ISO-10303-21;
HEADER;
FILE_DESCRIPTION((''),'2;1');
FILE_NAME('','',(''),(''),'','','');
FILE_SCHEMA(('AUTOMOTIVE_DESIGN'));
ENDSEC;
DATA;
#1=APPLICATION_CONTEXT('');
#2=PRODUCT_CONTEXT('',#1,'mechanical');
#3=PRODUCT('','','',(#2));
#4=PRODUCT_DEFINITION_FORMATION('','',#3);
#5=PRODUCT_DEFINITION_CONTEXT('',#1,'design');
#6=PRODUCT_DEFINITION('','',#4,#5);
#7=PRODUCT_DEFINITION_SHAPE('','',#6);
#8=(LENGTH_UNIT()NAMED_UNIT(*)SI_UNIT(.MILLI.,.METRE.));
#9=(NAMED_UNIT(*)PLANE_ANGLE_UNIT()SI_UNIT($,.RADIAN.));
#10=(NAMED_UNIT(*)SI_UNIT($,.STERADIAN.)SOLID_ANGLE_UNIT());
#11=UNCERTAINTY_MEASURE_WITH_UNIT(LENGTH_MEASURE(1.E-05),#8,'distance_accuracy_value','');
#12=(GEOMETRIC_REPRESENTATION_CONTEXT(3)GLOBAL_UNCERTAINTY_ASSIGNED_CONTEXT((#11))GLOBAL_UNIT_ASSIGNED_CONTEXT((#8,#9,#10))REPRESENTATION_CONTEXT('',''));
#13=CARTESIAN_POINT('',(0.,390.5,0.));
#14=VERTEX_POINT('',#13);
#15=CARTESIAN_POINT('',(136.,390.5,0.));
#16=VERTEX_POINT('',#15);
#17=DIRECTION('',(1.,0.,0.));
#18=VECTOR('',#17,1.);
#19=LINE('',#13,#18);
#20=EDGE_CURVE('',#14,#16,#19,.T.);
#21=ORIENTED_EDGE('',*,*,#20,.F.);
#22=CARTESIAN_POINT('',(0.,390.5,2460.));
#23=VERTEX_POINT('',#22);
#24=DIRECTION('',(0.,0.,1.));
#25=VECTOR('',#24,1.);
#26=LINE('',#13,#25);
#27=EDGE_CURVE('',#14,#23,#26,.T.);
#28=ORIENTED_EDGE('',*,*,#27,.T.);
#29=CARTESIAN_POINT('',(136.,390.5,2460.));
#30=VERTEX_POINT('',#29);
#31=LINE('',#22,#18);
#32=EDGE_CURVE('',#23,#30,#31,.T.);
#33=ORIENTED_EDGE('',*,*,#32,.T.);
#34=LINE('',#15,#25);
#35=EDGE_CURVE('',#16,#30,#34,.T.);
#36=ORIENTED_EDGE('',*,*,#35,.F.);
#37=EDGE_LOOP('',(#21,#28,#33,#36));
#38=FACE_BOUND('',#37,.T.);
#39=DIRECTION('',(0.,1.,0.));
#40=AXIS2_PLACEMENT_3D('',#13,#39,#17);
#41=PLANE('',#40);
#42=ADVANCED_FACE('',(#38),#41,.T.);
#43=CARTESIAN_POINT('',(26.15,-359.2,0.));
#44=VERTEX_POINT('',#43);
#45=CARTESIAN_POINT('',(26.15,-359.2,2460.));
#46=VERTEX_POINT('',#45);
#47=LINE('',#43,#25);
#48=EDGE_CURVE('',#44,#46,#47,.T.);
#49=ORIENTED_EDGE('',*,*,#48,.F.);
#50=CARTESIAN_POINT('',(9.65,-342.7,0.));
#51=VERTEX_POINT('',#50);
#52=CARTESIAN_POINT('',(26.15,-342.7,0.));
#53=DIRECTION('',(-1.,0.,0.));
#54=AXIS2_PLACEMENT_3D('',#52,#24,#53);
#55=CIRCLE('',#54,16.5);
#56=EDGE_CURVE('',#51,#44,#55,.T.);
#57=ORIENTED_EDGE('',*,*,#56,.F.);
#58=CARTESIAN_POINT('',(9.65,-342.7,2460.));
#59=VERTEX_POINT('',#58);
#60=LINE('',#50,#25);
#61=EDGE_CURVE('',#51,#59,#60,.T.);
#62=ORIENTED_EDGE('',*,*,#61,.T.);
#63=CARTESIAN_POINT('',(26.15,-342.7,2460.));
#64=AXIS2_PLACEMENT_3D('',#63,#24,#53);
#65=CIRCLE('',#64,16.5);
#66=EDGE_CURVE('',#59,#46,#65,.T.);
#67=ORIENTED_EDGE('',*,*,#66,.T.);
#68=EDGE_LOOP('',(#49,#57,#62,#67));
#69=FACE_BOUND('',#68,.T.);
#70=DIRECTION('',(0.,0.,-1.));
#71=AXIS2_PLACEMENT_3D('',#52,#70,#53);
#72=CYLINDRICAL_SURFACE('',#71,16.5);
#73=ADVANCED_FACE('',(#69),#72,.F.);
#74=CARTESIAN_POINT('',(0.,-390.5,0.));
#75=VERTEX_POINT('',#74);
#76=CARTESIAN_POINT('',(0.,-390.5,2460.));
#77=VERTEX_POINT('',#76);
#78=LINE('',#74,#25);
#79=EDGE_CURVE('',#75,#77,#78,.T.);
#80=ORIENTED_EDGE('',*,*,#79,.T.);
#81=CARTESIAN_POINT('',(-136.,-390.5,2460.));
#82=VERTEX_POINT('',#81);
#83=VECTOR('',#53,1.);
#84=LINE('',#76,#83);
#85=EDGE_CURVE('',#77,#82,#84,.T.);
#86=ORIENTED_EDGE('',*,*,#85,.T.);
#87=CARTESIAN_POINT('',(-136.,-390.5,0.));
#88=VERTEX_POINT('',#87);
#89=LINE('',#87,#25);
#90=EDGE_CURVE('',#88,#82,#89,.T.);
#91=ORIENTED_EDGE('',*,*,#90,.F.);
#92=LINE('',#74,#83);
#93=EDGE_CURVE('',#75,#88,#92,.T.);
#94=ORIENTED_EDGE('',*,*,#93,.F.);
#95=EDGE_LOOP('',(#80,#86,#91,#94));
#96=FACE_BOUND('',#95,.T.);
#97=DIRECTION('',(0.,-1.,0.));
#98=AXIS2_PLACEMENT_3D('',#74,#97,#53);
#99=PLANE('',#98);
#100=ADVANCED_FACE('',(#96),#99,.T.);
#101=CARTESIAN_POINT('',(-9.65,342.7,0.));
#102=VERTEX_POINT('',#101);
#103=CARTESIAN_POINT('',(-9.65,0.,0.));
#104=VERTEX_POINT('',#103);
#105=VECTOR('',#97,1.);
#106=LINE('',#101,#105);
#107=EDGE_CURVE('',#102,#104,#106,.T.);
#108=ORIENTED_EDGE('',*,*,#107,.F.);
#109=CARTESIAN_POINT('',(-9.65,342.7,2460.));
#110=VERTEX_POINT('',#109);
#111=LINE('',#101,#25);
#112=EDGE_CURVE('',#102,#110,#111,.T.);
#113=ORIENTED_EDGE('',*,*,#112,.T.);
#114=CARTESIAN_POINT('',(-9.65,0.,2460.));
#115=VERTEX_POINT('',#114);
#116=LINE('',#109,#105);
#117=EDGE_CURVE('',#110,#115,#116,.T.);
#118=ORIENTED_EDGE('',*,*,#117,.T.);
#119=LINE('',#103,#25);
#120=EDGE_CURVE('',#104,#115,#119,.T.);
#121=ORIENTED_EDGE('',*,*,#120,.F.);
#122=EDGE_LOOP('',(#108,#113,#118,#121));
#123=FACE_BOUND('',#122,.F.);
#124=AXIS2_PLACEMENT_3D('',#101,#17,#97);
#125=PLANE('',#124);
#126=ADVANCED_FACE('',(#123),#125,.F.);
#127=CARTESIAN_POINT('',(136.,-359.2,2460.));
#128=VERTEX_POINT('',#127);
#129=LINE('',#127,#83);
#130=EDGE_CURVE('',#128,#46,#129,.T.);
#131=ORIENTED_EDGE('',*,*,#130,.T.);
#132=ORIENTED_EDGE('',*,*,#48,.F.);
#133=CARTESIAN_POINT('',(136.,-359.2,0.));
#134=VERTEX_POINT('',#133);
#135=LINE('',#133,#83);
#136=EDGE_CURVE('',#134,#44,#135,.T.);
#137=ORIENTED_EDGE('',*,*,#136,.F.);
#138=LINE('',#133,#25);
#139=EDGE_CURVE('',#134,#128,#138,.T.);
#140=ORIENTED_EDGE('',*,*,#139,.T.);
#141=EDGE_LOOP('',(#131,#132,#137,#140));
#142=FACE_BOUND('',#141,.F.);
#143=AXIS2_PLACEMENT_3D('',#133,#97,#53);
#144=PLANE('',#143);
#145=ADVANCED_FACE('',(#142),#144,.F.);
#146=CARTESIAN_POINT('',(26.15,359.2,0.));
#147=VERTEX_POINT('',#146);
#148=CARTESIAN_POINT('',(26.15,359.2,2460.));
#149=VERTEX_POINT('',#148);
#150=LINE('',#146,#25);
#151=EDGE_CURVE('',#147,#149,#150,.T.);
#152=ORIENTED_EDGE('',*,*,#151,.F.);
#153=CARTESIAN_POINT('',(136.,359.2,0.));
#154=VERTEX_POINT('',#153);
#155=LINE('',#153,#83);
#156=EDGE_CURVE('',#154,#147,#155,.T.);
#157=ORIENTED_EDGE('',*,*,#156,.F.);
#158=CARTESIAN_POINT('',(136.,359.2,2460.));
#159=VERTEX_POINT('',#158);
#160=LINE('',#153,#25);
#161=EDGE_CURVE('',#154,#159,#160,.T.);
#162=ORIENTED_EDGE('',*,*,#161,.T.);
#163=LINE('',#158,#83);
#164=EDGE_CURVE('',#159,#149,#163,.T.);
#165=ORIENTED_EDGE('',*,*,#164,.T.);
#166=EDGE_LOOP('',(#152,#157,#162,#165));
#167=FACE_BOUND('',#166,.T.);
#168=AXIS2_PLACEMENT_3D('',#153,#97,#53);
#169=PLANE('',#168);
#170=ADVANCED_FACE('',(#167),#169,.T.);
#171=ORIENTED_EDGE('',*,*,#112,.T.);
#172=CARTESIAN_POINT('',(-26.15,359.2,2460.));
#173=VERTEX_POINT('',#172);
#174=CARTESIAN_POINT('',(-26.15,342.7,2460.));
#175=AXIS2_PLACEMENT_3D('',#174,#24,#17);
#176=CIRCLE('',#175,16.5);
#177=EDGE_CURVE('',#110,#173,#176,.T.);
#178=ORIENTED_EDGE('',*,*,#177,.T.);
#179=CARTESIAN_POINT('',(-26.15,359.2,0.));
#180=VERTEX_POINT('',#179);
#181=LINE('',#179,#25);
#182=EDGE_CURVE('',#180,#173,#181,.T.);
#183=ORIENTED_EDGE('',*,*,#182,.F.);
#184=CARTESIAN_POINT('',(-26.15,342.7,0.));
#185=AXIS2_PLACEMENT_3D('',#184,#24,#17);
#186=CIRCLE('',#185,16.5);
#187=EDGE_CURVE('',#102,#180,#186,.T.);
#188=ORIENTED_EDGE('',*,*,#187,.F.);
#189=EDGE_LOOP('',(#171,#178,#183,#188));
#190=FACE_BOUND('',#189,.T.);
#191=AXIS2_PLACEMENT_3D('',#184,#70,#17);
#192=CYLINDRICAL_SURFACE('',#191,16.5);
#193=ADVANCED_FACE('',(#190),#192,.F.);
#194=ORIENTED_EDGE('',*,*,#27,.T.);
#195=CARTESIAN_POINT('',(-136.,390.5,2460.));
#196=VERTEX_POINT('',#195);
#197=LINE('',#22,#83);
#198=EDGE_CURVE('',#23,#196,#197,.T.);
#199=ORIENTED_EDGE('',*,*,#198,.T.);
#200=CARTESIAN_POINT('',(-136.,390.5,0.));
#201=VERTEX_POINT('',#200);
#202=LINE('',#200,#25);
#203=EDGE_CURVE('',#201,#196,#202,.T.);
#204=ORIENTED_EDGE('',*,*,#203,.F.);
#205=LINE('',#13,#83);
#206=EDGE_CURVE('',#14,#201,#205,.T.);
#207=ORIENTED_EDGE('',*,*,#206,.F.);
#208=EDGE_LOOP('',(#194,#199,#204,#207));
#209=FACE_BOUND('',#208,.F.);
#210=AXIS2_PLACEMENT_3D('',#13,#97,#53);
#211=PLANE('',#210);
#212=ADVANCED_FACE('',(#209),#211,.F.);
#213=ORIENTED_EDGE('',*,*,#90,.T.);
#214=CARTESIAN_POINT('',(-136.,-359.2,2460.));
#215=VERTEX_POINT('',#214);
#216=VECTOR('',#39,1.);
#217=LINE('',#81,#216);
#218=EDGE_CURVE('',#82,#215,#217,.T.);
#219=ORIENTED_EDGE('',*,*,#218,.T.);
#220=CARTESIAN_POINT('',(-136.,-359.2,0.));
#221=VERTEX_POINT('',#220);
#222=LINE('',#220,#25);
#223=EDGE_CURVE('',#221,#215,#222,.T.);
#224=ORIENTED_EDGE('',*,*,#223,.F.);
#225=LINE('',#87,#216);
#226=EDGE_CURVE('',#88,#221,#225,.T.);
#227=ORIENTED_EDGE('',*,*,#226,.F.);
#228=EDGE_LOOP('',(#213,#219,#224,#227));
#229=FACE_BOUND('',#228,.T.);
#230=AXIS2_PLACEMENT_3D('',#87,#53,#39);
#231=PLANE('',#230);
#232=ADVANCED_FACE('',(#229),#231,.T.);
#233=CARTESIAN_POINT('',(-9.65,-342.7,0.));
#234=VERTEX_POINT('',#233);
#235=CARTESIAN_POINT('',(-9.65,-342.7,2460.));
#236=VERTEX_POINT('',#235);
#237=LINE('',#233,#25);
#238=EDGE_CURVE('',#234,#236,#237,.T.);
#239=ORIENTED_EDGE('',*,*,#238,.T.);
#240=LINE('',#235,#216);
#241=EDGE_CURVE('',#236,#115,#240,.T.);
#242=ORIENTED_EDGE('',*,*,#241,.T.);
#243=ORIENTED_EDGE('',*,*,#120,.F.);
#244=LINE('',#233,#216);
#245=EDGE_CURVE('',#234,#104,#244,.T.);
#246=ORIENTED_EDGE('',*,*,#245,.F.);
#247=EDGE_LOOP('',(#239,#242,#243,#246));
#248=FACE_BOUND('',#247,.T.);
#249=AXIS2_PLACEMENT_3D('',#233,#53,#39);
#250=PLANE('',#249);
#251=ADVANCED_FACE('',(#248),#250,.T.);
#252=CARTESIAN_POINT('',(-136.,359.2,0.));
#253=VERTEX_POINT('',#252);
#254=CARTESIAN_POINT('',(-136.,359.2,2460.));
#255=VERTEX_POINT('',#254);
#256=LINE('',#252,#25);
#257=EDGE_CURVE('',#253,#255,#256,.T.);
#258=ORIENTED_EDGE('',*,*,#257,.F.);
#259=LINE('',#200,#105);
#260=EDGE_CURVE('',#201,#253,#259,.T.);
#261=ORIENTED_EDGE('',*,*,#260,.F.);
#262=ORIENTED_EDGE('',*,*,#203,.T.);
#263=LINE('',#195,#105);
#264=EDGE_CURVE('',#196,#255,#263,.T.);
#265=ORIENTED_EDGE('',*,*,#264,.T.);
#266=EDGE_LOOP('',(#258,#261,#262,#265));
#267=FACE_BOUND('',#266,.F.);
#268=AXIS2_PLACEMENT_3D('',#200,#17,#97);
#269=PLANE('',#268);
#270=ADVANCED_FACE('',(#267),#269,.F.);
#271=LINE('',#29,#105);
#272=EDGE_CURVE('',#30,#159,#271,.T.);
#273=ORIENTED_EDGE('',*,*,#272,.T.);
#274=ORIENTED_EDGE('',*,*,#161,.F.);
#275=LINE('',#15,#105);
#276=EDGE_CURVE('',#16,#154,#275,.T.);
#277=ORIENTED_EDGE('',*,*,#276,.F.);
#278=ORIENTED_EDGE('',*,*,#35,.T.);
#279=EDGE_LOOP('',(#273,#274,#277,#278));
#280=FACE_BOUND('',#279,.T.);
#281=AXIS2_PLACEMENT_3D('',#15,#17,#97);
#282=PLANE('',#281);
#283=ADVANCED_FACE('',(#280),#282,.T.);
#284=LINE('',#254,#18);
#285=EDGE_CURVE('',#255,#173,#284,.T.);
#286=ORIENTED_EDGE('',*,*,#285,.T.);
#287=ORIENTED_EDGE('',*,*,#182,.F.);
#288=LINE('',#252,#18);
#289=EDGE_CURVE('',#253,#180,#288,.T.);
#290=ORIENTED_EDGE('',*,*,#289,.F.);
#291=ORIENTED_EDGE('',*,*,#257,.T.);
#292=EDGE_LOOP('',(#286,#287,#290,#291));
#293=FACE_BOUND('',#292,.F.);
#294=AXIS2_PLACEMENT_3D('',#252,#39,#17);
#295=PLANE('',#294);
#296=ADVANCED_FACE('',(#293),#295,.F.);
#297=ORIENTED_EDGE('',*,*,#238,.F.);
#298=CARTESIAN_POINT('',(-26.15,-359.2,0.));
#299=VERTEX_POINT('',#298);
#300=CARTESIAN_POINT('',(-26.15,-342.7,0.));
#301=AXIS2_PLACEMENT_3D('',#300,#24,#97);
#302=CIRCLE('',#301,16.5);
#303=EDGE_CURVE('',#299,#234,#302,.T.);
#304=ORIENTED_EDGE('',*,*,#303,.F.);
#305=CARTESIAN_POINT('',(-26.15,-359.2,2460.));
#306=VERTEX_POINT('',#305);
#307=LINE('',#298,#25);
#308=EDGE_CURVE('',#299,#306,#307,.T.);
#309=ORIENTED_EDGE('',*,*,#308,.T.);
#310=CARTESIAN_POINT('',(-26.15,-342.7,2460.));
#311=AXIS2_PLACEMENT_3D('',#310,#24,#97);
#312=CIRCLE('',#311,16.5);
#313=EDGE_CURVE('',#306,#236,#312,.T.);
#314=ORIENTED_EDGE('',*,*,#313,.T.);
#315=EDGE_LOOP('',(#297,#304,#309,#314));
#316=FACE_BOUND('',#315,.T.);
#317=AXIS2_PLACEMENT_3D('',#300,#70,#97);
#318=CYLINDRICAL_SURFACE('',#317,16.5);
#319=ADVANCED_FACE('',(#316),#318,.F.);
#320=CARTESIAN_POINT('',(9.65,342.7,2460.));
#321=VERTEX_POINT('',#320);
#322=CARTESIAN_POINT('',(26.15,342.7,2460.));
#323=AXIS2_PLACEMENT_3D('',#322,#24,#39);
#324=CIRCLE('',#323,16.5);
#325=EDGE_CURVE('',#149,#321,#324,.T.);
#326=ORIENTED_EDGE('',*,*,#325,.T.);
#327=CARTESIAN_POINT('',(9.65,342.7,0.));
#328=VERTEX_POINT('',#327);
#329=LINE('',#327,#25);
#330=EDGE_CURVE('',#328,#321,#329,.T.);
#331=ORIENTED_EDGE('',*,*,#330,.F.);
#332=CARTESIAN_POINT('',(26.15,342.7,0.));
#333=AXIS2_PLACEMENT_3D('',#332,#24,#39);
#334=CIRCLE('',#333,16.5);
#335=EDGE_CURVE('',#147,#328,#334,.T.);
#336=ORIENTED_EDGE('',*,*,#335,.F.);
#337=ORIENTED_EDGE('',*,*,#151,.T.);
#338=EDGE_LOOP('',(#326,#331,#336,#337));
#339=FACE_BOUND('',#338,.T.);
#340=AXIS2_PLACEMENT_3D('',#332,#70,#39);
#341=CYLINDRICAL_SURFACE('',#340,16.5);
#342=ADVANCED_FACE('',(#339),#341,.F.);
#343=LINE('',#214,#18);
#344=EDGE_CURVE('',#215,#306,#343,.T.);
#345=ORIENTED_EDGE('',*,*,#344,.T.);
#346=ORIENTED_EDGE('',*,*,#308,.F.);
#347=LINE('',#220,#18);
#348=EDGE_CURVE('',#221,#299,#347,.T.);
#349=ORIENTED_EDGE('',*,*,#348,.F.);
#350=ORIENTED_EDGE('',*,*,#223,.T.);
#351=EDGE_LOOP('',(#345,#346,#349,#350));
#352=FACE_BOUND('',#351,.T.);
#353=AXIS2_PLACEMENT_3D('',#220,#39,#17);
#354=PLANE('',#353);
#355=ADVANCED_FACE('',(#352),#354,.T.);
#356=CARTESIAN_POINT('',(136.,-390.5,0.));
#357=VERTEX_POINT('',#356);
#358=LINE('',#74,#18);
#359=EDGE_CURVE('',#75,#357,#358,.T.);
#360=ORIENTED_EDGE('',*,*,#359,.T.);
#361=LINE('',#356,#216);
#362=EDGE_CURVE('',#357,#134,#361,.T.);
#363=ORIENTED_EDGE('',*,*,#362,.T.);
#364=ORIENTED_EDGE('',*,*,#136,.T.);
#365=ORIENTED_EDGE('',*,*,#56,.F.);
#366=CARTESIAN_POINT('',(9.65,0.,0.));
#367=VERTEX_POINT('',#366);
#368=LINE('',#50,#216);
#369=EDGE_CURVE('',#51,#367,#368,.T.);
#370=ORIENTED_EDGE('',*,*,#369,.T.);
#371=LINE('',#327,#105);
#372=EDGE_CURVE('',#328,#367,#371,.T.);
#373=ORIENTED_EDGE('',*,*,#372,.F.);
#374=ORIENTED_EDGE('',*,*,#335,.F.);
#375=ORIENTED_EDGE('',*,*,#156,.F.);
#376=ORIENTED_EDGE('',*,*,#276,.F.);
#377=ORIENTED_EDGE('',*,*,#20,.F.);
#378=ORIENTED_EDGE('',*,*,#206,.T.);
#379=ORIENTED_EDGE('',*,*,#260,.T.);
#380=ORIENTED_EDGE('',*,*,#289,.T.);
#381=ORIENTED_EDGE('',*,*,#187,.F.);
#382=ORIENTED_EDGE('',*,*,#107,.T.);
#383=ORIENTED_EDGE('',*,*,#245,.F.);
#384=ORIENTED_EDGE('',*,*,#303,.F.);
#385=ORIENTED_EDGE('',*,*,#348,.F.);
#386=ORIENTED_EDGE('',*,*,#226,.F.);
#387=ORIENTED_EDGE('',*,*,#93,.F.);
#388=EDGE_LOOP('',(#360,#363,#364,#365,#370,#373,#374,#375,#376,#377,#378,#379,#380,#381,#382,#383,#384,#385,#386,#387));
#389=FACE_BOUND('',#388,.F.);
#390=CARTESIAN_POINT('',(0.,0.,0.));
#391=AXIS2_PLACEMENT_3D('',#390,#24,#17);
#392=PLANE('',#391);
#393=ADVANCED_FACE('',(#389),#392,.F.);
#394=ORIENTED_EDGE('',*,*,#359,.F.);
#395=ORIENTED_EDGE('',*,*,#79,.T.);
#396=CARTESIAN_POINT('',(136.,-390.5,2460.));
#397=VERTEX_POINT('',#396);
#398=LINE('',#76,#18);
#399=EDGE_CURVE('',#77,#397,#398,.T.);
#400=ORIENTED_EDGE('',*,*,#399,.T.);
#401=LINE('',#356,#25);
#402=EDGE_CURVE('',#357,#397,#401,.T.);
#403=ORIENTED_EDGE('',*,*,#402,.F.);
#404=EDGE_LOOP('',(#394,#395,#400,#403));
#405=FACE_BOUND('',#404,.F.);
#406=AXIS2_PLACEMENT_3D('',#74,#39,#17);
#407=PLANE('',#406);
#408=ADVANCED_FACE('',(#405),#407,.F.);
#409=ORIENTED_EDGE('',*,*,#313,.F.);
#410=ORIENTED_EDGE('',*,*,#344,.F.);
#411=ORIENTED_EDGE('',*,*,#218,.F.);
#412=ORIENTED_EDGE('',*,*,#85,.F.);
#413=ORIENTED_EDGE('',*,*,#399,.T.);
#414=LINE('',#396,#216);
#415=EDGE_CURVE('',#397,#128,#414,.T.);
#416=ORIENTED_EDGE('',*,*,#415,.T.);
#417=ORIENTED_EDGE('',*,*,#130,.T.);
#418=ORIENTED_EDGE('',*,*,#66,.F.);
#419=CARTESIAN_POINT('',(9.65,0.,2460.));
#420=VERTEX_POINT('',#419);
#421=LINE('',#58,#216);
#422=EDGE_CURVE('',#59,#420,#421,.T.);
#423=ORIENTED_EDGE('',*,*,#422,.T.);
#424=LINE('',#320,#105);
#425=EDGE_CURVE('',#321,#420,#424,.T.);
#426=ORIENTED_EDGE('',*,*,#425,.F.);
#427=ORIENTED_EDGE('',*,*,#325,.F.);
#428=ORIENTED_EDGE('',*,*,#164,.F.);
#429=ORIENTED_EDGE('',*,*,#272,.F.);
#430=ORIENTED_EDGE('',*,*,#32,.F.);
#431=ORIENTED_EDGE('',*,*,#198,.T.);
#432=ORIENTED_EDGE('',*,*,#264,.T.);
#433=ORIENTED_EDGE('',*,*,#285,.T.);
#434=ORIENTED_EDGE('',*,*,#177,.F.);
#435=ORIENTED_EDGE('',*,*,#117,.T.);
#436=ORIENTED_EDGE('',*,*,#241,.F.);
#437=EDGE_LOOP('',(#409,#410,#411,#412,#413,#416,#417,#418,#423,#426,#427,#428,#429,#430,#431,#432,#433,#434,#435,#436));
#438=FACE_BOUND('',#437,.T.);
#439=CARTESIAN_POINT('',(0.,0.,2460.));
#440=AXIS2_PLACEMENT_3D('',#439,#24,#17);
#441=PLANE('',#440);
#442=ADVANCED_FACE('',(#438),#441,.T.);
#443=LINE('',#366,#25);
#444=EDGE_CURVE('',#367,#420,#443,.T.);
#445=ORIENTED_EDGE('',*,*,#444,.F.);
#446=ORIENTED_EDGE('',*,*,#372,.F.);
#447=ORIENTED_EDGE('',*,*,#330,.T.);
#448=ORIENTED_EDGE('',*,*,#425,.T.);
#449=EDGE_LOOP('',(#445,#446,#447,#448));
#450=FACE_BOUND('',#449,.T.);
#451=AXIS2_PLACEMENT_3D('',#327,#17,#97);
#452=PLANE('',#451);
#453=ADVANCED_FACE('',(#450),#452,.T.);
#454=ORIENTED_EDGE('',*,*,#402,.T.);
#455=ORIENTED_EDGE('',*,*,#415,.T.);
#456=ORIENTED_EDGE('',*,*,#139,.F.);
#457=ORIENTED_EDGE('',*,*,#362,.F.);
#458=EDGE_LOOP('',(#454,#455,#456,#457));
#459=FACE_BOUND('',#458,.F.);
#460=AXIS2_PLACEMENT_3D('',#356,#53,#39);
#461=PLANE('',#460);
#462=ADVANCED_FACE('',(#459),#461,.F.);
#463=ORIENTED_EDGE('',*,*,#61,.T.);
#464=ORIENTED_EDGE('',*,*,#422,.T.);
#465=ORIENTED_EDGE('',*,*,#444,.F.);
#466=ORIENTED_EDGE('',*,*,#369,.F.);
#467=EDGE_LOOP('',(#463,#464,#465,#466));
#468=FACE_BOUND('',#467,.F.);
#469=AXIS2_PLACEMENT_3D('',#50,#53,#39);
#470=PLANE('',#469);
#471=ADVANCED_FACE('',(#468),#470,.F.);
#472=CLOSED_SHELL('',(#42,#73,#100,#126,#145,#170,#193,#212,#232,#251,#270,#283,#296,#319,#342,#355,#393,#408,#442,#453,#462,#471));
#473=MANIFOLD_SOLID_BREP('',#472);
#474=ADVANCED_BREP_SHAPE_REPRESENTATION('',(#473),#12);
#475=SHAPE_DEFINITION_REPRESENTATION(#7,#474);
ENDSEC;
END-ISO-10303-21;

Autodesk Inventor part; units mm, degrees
ref_plane "YZ Plane" through (0, 0, 0) normal (1, 0, 0) x (0, 1, 0)
ref_plane "Start plane" through (0, 0, 0) normal (0, 0, 1) x (1, 0, 0)
ref_plane "End plane" through (0, 0, 2460) normal (0, 0, 1) x (1, 0, 0)
sketch "Sketch" plane through (0, 0, 0) normal (0, 0, 1) x (1, 0, 0)
  line L0 (-136, -390.5) -> (-136, -359.2)
  line L1 (-136, -359.2) -> (-26.15, -359.2)
  line L2 (-9.65, -342.7) -> (-9.65, 0)
  line L3 (-9.65, 0) -> (0, 0) construction
  line L4 (0, 0) -> (0, -390.5) construction
  line L5 (0, -390.5) -> (-136, -390.5)
  line L6 (-60, 0) -> (80, 0) construction
  line L7 (0, -60) -> (0, 80) construction
  line L8 (136, -390.5) -> (136, -359.2)
  line L9 (136, -359.2) -> (26.15, -359.2)
  line L10 (9.65, -342.7) -> (9.65, 0)
  line L11 (9.65, 0) -> (0, 0) construction
  line L12 (0, -390.5) -> (136, -390.5)
  line L13 (-136, 390.5) -> (-136, 359.2)
  line L14 (-136, 359.2) -> (-26.15, 359.2)
  line L15 (-9.65, 342.7) -> (-9.65, 0)
  line L16 (0, 390.5) -> (-136, 390.5)
  line L17 (136, 390.5) -> (136, 359.2)
  line L18 (136, 359.2) -> (26.15, 359.2)
  line L19 (0, 390.5) -> (136, 390.5)
  line L20 (9.65, 342.7) -> (9.65, 0)
  arc A0 (-9.65, 342.7) -> (-26.15, 359.2) centre (-26.15, 342.7) ccw
  arc A1 (26.15, 359.2) -> (9.65, 342.7) centre (26.15, 342.7) ccw
  arc A2 (9.65, -342.7) -> (26.15, -359.2) centre (26.15, -342.7) ccw
  arc A3 (-26.15, -359.2) -> (-9.65, -342.7) centre (-26.15, -342.7) ccw
  line L21 (0, 108) -> (0, -88) construction
  line L22 (-88, 0) -> (108, 0) construction
  point P0 (-9.65, -359.2)
  point P1 (9.65, -359.2)
  point P2 (-9.65, 359.2)
  point P3 (9.65, 359.2)
  dimension "d1" = 390.5
  dimension "d2" = 31.3
  dimension "d3" = 136
  dimension "d4" = 9.65
  dimension "d10" = 16.5
extrude "Body" add sketch "Sketch" along normal up to surface (2460 mm away) from surface at 0
sketch "Sketch4" plane through (0, 0, 0) normal (0, 0, 1) x (1, 0, 0)
  line L0 (0, 0) -> (10, 0)
ref_plane "Work Plane3" through (0, 0, 0) normal (0, -1, 0) x (1, 0, 0)
sketch "Sketch5" plane through (0, 0, 0) normal (0, -1, 0) x (1, 0, 0)
  line L0 (-2, 0) -> (12, 0) projected
  line L1 (-2, 2460) -> (12, 2460) projected
  dimension "d14" = 2460
equation "\"d1\" = 0.5 * G_H"
equation "\"d2\" = G_T1"
equation "\"d3\" = 0.5 * G_W"
equation "\"d4\" = 0.5 * G_T"
equation "\"d10\" = G_IR"
equation "\"d5\" = G_L"
equation "\"G_W\" = 272"
equation "\"G_H\" = 781"
equation "\"G_T\" = 19.3"
equation "\"G_T1\" = 31.3"
equation "\"G_IR\" = 16.5"
equation "\"G_L\" = d14"
equation "\"G_OFFSET_START\" = 0"
equation "\"G_OFFSET_END\" = 0"
properties part number "AS 3679-1990 - 760 UB - 244 - 2460" material "Steel, Mild"
